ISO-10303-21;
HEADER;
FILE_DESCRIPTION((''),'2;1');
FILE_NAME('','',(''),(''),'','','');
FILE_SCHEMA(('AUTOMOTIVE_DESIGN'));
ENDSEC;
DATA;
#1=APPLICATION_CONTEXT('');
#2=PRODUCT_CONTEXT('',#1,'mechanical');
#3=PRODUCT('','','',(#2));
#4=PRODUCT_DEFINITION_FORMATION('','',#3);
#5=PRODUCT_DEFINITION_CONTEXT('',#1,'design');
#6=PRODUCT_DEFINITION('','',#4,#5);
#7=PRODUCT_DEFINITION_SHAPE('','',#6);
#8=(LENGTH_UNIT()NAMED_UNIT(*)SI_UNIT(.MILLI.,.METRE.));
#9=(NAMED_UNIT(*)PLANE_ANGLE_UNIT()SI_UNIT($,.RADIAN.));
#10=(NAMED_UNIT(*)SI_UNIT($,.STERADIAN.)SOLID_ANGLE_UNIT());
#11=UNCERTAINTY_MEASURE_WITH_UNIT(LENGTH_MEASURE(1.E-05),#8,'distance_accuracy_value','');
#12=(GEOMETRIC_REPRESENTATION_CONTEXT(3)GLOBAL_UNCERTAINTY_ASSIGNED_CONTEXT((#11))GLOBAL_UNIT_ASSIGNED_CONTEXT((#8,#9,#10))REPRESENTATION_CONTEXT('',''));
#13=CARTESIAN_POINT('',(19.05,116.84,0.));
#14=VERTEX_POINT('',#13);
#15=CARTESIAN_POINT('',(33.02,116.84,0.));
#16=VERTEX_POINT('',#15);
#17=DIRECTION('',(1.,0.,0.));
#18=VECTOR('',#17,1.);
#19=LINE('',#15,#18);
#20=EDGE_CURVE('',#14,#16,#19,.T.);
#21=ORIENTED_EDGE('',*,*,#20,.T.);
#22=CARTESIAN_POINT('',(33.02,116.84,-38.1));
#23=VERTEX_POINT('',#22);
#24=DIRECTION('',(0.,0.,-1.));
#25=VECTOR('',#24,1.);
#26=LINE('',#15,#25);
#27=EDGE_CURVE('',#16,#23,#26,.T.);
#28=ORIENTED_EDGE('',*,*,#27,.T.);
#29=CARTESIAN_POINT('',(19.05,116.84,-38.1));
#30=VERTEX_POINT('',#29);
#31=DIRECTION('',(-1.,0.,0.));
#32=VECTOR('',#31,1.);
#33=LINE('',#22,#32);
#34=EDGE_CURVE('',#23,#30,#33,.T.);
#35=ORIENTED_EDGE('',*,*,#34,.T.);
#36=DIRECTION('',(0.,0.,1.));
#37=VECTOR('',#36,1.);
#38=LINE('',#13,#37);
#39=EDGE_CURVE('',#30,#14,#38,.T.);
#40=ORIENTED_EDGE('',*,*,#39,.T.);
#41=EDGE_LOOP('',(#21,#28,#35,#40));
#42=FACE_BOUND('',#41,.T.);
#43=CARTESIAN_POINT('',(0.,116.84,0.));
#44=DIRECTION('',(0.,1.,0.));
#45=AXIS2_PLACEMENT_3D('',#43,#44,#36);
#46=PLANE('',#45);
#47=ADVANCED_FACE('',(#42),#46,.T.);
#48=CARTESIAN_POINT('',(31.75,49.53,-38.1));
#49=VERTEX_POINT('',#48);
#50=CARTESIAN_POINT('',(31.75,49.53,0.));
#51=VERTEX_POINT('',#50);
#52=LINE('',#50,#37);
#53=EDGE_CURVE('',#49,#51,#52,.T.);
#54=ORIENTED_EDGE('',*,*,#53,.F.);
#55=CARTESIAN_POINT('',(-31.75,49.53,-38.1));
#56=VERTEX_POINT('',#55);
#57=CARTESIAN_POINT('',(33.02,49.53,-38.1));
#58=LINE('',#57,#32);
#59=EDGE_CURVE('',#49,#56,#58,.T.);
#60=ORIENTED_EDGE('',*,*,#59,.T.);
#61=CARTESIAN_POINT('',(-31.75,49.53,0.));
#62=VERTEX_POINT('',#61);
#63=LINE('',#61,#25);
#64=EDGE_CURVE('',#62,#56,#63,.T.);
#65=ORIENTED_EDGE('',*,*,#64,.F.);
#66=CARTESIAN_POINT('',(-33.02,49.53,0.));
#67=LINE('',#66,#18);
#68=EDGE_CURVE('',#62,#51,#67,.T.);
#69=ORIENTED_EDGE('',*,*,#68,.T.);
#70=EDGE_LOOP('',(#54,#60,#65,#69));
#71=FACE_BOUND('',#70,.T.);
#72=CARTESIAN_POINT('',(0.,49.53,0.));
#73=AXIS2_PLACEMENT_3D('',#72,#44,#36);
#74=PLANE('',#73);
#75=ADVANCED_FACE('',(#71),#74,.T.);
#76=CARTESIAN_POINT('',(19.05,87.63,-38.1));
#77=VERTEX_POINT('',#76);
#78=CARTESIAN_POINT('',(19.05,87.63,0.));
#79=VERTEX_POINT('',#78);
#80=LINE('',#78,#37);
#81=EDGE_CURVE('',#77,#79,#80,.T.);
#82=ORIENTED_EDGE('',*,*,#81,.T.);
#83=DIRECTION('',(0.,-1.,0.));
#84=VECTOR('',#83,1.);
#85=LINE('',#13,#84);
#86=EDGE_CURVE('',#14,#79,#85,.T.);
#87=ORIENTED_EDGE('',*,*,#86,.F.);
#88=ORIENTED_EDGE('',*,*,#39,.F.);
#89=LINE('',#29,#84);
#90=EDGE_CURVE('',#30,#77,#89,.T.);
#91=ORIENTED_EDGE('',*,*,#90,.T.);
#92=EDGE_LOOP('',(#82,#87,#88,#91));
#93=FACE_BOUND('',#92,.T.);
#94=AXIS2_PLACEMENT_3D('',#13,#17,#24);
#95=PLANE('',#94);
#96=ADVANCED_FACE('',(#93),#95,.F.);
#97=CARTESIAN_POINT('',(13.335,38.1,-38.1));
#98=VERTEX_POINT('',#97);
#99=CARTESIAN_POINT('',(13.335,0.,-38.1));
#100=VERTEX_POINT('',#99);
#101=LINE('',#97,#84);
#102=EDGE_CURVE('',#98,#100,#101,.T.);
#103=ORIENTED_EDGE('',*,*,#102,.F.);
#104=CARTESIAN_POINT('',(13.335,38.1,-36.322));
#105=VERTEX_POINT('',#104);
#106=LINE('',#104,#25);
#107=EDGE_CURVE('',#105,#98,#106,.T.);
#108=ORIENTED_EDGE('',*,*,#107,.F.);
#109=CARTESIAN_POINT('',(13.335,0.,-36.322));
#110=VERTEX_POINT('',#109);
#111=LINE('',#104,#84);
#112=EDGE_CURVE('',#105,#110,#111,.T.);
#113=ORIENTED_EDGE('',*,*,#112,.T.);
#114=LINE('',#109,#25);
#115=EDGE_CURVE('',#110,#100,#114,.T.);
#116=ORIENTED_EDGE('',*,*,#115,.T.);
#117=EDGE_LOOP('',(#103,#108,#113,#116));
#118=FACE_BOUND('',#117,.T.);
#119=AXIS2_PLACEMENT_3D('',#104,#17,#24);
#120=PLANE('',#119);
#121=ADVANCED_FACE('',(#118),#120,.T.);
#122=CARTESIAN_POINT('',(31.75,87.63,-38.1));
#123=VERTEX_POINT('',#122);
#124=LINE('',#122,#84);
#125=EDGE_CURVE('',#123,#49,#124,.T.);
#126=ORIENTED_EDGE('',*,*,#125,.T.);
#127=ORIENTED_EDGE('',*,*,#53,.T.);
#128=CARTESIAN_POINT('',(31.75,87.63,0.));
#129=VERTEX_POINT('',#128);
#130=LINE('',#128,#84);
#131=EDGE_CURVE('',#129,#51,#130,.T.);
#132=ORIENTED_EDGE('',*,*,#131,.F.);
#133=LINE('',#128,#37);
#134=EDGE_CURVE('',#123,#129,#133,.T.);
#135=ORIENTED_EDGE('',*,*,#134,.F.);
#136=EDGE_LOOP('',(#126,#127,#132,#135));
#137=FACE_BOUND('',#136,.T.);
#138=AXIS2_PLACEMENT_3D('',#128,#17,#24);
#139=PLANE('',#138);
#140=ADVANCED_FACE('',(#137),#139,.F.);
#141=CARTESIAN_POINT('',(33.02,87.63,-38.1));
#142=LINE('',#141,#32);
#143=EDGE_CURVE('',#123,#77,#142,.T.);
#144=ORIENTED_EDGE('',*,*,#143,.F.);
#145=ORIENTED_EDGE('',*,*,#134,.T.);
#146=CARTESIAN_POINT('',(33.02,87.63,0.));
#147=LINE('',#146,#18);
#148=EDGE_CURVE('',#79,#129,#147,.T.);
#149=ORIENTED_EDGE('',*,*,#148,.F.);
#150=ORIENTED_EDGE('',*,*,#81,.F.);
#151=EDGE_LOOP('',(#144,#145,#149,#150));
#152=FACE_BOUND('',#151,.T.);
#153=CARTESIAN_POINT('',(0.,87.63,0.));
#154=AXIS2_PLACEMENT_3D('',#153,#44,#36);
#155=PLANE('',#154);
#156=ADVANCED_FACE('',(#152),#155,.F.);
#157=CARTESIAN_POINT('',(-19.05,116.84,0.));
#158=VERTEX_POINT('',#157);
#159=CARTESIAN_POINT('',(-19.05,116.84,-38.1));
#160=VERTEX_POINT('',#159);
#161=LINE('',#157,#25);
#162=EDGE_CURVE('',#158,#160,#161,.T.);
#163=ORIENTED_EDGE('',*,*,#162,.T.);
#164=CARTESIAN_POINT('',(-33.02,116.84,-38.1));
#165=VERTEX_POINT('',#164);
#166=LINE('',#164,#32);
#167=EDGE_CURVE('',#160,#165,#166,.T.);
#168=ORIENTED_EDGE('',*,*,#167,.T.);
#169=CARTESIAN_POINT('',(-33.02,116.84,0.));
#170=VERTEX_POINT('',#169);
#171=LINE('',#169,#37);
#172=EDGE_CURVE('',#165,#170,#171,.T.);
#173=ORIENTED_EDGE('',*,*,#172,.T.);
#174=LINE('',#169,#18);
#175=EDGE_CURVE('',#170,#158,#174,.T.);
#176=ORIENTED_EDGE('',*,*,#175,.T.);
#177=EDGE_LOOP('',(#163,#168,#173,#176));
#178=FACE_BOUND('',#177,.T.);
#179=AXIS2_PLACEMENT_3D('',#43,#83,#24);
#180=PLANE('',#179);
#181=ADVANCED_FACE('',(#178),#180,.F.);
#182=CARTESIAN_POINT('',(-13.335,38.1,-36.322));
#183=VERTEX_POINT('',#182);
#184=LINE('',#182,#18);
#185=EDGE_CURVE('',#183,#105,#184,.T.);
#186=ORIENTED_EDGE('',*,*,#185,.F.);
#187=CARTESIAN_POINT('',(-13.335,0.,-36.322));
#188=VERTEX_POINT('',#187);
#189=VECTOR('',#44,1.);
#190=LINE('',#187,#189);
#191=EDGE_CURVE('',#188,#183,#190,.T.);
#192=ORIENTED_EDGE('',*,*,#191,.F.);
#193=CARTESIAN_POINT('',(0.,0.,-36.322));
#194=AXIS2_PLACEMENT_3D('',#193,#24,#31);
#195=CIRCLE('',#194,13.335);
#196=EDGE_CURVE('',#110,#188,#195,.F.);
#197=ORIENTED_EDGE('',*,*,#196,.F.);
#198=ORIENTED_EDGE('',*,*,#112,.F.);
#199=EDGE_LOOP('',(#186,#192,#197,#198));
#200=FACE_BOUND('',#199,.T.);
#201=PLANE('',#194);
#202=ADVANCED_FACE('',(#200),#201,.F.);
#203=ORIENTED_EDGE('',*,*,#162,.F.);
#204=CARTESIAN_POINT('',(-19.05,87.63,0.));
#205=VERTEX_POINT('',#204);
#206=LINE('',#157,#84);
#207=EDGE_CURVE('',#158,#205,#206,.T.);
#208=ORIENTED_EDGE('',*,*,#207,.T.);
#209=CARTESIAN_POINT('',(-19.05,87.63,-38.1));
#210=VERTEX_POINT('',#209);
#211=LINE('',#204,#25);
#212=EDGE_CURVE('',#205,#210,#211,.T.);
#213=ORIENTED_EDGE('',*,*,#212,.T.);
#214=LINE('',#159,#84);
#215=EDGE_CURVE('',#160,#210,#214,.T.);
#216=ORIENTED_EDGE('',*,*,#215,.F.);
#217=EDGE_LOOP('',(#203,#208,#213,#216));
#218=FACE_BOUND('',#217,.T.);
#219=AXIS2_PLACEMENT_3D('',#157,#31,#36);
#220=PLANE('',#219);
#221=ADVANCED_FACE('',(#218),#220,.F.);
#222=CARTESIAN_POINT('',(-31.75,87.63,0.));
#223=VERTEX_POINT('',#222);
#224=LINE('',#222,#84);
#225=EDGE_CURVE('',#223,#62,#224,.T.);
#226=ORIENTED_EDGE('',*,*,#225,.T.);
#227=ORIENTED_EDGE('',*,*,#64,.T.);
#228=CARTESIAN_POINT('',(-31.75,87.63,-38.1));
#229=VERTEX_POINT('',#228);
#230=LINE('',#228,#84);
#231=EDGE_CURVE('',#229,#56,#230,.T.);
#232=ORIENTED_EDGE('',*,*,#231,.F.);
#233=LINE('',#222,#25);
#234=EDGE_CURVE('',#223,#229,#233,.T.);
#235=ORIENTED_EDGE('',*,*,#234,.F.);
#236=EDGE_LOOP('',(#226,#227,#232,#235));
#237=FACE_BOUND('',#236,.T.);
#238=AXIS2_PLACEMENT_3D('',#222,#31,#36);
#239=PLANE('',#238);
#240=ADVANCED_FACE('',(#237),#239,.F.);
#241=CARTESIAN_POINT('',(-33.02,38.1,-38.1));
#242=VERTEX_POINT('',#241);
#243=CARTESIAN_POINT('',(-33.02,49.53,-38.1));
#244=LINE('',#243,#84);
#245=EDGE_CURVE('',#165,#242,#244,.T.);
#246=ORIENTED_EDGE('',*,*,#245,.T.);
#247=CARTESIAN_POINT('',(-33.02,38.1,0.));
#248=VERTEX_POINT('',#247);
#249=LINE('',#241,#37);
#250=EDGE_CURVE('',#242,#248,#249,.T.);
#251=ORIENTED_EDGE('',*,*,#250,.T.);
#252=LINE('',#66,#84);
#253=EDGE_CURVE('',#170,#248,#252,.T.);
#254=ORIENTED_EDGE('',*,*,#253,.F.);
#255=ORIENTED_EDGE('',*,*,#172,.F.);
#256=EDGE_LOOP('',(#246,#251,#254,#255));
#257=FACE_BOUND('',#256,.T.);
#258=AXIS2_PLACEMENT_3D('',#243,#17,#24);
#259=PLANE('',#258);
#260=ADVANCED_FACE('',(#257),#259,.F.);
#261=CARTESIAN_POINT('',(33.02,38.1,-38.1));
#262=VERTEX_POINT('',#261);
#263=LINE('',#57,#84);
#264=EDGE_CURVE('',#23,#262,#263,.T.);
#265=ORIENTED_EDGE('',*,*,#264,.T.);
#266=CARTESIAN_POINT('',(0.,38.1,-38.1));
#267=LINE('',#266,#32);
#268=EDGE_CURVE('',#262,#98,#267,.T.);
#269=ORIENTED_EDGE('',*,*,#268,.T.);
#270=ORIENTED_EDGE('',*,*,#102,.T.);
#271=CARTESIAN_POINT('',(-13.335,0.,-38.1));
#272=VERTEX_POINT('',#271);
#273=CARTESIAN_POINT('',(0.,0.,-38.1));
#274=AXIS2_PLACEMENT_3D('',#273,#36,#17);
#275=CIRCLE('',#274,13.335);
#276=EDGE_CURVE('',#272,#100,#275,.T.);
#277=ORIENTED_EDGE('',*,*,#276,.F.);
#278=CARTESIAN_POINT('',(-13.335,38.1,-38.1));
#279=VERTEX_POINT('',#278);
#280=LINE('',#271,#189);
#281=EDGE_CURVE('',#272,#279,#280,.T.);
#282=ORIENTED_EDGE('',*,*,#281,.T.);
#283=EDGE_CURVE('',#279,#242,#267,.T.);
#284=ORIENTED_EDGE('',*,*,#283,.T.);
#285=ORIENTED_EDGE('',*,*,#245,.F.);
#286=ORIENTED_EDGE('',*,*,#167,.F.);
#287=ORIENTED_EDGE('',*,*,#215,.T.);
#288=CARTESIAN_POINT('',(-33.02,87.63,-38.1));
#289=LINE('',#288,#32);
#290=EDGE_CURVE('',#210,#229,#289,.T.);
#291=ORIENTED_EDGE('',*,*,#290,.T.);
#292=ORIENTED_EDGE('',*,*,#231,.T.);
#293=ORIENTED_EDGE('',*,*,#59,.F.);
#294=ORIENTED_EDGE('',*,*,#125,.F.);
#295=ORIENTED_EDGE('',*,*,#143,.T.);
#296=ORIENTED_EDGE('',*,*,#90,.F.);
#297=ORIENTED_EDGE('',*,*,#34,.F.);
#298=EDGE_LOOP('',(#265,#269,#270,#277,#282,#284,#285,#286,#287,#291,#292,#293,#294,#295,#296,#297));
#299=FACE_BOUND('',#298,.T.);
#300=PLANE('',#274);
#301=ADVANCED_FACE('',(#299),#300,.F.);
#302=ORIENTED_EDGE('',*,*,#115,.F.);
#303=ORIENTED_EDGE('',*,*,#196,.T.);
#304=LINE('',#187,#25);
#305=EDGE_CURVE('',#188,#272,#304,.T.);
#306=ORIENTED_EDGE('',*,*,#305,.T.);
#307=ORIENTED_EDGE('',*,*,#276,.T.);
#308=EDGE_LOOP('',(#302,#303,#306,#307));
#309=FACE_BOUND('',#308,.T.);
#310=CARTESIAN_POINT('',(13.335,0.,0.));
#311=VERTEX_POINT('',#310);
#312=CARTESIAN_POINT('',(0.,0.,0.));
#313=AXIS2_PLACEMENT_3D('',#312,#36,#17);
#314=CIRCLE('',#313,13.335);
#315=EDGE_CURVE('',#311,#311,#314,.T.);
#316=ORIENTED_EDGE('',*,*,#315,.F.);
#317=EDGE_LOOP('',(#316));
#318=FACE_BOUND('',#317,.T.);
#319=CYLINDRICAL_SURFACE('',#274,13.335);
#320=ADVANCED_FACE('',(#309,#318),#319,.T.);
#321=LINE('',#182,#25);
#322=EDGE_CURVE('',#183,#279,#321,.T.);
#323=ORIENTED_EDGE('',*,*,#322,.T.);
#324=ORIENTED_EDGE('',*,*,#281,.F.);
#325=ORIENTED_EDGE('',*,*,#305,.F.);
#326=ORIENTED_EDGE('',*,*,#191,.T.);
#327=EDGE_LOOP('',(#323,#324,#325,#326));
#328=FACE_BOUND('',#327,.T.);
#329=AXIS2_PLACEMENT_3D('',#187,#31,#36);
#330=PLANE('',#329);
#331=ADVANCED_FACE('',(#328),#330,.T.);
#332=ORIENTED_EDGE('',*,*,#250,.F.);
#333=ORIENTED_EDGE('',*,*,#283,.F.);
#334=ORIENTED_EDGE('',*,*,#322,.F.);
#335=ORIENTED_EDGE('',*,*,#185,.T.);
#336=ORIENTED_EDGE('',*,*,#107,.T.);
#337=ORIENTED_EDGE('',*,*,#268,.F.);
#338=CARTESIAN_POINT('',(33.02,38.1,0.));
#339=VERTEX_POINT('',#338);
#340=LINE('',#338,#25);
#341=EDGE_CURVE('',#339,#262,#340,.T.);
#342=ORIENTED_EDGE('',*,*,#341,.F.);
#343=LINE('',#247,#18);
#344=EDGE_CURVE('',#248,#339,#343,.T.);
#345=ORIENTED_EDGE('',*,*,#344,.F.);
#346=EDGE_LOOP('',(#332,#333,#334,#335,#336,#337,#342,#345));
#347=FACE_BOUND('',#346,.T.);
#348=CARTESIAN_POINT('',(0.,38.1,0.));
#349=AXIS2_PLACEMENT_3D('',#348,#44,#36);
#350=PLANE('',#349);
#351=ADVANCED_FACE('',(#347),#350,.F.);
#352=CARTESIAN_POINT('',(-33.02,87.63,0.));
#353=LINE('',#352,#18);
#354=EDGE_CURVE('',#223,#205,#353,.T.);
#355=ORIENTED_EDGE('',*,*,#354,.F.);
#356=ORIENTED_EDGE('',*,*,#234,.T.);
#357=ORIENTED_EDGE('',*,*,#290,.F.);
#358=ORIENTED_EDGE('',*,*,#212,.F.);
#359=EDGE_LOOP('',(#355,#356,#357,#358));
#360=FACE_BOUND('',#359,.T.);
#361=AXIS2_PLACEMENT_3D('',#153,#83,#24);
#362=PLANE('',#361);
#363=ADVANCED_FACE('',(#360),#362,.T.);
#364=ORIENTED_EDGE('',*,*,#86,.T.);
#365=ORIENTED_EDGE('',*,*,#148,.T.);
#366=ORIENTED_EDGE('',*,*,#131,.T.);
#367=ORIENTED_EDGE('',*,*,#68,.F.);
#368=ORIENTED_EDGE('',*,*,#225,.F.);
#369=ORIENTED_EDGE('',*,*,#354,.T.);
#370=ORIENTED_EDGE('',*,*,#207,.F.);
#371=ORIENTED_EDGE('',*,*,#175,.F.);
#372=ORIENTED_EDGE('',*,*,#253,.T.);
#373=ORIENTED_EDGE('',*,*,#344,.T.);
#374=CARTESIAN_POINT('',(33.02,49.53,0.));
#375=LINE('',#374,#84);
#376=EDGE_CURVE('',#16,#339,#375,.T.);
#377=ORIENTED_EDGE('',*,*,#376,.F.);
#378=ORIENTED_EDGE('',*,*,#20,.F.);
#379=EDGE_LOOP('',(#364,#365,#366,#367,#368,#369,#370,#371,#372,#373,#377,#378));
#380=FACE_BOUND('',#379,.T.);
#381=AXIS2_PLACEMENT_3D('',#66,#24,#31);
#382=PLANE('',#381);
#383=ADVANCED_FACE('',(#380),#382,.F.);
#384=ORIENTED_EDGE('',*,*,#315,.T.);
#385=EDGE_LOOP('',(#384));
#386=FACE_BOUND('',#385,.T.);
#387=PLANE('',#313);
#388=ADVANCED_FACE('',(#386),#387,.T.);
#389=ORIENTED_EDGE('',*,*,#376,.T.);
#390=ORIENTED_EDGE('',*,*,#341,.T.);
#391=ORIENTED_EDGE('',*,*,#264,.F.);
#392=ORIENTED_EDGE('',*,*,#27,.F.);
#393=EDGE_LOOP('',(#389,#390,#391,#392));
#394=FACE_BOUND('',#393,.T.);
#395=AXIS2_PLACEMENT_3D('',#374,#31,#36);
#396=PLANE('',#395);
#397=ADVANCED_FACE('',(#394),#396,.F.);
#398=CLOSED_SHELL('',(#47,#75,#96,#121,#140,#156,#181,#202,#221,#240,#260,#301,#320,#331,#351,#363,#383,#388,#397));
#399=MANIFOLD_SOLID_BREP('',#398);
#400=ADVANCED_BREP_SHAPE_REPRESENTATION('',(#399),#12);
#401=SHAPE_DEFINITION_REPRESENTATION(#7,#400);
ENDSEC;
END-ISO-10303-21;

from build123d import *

# Parameters (mm, degrees)
SKETCH1_R           = 13.335
FEATUREA_DEPTH      = 38.1
SKETCH2_W           = 26.67
SKETCH2_H           = 38.1
FEATUREB_DEPTH      = 1.778
FEATUREC_DEPTH      = 11.43
SKETCH4_W           = 1.27
SKETCH4_H           = 38.1
FEATURED_DEPTH      = 38.1
SKETCH7_W           = 13.97
SKETCH7_H           = 38.1
BOSS_EXTRUDE5_DEPTH = 29.21


with BuildPart() as part:
    # Sketch1 → FeatureA (new body)
    with BuildSketch(Plane.XY):
        Circle(SKETCH1_R)
    extrude(amount=-FEATUREA_DEPTH)

    # Sketch2 → FeatureB (add)
    with BuildSketch(Plane(origin=(0, 0, -38.1), x_dir=(-1, 0, 0), z_dir=(0, 0, -1))):
        with Locations((0, 19.05)):
            Rectangle(SKETCH2_W, SKETCH2_H)
    extrude(amount=-FEATUREB_DEPTH)

    # Sketch3 → FeatureC (add)
    with BuildSketch(Plane(origin=(0, 38.1, 0), x_dir=(1, 0, 0), z_dir=(0, 1, 0))):
        Polygon((0, 38.1), (-33.02, 38.1), (-33.02, 0), (33.02, 0), (33.02, 38.1), align=None)
    extrude(amount=FEATUREC_DEPTH)

    # Sketch4 → FeatureD (add)
    with BuildSketch(Plane(origin=(0, 49.53, 0), x_dir=(1, 0, 0), z_dir=(0, 1, 0))):
        with Locations((32.385, 19.05)):
            Rectangle(SKETCH4_W, SKETCH4_H)
        with Locations((-32.385, 19.05)):
            Rectangle(SKETCH4_W, SKETCH4_H)
    extrude(amount=FEATURED_DEPTH)

    # Sketch7 → Boss-Extrude5 (add)
    with BuildSketch(Plane(origin=(0, 87.63, 0), x_dir=(1, 0, 0), z_dir=(0, 1, 0))):
        with Locations((26.035, 19.05)):
            Rectangle(SKETCH7_W, SKETCH7_H)
        with Locations((-26.035, 19.05)):
            Rectangle(SKETCH7_W, SKETCH7_H)
    extrude(amount=BOSS_EXTRUDE5_DEPTH)


solid = part.part
